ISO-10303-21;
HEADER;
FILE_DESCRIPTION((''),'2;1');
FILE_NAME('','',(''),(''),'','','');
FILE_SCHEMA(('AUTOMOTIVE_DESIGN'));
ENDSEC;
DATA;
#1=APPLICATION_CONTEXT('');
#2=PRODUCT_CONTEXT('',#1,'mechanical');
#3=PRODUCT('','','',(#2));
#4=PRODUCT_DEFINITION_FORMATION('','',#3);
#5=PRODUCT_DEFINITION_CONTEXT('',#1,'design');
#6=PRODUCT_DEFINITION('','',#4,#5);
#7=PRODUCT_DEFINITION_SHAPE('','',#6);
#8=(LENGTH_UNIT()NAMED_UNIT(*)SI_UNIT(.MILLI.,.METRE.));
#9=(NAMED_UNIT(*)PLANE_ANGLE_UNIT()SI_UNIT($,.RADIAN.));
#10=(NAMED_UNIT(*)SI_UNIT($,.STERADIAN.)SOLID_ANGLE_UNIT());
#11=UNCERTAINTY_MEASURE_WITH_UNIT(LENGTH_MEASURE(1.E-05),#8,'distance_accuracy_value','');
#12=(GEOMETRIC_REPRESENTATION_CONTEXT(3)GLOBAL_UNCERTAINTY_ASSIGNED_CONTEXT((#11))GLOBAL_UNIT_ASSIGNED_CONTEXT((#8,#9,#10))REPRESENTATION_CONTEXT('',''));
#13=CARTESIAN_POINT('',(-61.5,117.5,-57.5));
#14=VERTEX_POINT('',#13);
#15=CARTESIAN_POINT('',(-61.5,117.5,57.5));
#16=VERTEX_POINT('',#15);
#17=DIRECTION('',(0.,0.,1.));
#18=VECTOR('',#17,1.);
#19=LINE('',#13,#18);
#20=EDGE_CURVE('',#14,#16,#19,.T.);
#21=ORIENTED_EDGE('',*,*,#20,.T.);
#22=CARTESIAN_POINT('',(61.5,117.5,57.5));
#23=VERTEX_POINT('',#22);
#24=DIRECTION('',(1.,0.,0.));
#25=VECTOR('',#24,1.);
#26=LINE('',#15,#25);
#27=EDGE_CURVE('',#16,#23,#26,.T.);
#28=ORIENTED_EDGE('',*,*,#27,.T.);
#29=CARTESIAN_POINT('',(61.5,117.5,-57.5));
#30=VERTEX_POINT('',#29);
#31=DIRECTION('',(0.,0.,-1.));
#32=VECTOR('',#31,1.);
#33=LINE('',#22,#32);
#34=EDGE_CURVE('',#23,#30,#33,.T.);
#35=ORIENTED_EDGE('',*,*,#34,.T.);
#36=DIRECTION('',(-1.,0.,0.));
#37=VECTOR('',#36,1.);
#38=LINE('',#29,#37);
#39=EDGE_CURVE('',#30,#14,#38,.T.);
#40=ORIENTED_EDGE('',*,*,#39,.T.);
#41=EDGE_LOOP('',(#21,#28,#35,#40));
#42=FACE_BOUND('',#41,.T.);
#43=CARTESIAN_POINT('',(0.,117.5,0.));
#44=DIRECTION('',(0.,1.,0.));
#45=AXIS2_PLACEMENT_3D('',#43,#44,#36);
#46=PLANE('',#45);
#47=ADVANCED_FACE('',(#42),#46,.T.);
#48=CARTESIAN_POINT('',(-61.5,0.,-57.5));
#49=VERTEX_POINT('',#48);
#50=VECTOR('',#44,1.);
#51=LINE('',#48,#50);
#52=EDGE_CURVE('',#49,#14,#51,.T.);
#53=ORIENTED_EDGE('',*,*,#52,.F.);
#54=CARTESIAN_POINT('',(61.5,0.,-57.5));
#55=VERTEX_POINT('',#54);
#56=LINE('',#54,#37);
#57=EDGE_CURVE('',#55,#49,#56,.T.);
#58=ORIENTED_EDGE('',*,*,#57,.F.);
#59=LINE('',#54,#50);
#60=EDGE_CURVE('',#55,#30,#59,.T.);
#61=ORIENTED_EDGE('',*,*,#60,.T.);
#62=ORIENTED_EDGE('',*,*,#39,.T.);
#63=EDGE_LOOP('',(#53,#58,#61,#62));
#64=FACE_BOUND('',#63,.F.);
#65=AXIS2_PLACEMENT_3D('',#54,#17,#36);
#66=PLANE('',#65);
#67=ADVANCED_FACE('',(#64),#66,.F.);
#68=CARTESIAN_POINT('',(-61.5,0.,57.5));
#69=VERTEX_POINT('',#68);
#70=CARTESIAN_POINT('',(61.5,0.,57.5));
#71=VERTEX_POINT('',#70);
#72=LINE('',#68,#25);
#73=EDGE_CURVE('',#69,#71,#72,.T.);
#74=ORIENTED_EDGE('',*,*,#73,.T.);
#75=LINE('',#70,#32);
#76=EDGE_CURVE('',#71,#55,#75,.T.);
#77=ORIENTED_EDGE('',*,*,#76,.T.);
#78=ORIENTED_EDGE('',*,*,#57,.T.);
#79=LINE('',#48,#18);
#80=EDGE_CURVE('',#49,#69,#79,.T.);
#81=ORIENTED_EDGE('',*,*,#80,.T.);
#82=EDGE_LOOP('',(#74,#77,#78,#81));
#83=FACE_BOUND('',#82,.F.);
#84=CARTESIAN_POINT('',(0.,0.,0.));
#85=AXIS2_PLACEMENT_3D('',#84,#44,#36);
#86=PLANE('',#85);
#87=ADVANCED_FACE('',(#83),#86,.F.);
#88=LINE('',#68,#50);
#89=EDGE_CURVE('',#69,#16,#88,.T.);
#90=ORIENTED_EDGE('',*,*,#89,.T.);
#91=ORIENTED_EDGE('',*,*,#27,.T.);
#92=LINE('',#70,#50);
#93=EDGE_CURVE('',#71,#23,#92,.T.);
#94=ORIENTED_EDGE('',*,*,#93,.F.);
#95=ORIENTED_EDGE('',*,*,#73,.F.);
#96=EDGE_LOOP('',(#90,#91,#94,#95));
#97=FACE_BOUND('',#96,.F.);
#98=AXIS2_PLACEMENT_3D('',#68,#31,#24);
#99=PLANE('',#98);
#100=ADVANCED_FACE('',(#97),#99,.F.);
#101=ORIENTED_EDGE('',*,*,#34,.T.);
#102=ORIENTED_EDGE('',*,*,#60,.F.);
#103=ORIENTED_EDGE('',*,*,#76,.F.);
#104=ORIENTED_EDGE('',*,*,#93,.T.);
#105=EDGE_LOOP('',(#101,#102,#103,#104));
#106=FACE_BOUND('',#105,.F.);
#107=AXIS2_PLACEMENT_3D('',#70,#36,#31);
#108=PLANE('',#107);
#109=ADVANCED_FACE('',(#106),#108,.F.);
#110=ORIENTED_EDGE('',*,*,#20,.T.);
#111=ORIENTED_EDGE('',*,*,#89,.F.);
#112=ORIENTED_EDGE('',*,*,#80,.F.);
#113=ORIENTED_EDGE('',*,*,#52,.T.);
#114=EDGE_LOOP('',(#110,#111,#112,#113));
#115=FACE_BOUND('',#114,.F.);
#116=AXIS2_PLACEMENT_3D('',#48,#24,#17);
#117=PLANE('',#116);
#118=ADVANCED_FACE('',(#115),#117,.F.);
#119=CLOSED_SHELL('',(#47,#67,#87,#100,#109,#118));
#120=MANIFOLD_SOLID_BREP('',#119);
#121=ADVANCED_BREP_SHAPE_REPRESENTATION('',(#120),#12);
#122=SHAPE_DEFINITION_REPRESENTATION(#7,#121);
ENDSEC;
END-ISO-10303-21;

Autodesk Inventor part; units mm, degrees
ref_plane "YZ Plane" through (0, 0, 0) normal (1, 0, 0) x (0, 1, 0)
ref_plane "XZ Plane" through (0, 0, 0) normal (0, 1, 0) x (-1, 0, 0)
ref_plane "XY Plane" through (0, 0, 0) normal (0, 0, 1) x (1, 0, 0)
sketch "Sketch5" plane through (0, 0, 0) normal (0, 1, 0) x (-1, 0, 0)
  line L0 (61.5, 57.5) -> (-61.5, 57.5)
  line L1 (-61.5, 57.5) -> (-61.5, -57.5)
  line L2 (-61.5, -57.5) -> (61.5, -57.5)
  line L3 (61.5, -57.5) -> (61.5, 57.5)
  point P0 (0, 0)
  point P1 (61.5, 0)
  point P2 (0, 57.5)
  dimension "d8" = 123
  dimension "d9" = 115
extrude "Extrusion5" add sketch "Sketch5" along normal blind 117.5
sketch "Sketch6" plane through (-61.5, 0, -57.5) normal (-1, 0, 0) x (0, 0, 1)
  line L0 (0, 0) -> (115, 0)
  line L1 (115, 0) -> (115, 117.5)
  line L2 (0, 0) -> (115, 0)
  line L3 (115, 0) -> (115, 120)
  line L4 (115, 120) -> (0, 120)
  line L5 (0, 120) -> (0, 0)
  line L6 (0, 0) -> (115, 0) projected
  line L7 (115, 0) -> (115, 117.5) projected
  line L8 (0, 117.5) -> (115, 117.5) projected
  line L9 (0, 0) -> (0, 117.5) projected
  point P0 (447.5, 0)
  dimension "d12" = 120
extrude "Extrusion6" [suppressed]
chamfer "Chamfer1" [suppressed]
properties part number "BLANK-BC-10002" material "Aço Carbono"
